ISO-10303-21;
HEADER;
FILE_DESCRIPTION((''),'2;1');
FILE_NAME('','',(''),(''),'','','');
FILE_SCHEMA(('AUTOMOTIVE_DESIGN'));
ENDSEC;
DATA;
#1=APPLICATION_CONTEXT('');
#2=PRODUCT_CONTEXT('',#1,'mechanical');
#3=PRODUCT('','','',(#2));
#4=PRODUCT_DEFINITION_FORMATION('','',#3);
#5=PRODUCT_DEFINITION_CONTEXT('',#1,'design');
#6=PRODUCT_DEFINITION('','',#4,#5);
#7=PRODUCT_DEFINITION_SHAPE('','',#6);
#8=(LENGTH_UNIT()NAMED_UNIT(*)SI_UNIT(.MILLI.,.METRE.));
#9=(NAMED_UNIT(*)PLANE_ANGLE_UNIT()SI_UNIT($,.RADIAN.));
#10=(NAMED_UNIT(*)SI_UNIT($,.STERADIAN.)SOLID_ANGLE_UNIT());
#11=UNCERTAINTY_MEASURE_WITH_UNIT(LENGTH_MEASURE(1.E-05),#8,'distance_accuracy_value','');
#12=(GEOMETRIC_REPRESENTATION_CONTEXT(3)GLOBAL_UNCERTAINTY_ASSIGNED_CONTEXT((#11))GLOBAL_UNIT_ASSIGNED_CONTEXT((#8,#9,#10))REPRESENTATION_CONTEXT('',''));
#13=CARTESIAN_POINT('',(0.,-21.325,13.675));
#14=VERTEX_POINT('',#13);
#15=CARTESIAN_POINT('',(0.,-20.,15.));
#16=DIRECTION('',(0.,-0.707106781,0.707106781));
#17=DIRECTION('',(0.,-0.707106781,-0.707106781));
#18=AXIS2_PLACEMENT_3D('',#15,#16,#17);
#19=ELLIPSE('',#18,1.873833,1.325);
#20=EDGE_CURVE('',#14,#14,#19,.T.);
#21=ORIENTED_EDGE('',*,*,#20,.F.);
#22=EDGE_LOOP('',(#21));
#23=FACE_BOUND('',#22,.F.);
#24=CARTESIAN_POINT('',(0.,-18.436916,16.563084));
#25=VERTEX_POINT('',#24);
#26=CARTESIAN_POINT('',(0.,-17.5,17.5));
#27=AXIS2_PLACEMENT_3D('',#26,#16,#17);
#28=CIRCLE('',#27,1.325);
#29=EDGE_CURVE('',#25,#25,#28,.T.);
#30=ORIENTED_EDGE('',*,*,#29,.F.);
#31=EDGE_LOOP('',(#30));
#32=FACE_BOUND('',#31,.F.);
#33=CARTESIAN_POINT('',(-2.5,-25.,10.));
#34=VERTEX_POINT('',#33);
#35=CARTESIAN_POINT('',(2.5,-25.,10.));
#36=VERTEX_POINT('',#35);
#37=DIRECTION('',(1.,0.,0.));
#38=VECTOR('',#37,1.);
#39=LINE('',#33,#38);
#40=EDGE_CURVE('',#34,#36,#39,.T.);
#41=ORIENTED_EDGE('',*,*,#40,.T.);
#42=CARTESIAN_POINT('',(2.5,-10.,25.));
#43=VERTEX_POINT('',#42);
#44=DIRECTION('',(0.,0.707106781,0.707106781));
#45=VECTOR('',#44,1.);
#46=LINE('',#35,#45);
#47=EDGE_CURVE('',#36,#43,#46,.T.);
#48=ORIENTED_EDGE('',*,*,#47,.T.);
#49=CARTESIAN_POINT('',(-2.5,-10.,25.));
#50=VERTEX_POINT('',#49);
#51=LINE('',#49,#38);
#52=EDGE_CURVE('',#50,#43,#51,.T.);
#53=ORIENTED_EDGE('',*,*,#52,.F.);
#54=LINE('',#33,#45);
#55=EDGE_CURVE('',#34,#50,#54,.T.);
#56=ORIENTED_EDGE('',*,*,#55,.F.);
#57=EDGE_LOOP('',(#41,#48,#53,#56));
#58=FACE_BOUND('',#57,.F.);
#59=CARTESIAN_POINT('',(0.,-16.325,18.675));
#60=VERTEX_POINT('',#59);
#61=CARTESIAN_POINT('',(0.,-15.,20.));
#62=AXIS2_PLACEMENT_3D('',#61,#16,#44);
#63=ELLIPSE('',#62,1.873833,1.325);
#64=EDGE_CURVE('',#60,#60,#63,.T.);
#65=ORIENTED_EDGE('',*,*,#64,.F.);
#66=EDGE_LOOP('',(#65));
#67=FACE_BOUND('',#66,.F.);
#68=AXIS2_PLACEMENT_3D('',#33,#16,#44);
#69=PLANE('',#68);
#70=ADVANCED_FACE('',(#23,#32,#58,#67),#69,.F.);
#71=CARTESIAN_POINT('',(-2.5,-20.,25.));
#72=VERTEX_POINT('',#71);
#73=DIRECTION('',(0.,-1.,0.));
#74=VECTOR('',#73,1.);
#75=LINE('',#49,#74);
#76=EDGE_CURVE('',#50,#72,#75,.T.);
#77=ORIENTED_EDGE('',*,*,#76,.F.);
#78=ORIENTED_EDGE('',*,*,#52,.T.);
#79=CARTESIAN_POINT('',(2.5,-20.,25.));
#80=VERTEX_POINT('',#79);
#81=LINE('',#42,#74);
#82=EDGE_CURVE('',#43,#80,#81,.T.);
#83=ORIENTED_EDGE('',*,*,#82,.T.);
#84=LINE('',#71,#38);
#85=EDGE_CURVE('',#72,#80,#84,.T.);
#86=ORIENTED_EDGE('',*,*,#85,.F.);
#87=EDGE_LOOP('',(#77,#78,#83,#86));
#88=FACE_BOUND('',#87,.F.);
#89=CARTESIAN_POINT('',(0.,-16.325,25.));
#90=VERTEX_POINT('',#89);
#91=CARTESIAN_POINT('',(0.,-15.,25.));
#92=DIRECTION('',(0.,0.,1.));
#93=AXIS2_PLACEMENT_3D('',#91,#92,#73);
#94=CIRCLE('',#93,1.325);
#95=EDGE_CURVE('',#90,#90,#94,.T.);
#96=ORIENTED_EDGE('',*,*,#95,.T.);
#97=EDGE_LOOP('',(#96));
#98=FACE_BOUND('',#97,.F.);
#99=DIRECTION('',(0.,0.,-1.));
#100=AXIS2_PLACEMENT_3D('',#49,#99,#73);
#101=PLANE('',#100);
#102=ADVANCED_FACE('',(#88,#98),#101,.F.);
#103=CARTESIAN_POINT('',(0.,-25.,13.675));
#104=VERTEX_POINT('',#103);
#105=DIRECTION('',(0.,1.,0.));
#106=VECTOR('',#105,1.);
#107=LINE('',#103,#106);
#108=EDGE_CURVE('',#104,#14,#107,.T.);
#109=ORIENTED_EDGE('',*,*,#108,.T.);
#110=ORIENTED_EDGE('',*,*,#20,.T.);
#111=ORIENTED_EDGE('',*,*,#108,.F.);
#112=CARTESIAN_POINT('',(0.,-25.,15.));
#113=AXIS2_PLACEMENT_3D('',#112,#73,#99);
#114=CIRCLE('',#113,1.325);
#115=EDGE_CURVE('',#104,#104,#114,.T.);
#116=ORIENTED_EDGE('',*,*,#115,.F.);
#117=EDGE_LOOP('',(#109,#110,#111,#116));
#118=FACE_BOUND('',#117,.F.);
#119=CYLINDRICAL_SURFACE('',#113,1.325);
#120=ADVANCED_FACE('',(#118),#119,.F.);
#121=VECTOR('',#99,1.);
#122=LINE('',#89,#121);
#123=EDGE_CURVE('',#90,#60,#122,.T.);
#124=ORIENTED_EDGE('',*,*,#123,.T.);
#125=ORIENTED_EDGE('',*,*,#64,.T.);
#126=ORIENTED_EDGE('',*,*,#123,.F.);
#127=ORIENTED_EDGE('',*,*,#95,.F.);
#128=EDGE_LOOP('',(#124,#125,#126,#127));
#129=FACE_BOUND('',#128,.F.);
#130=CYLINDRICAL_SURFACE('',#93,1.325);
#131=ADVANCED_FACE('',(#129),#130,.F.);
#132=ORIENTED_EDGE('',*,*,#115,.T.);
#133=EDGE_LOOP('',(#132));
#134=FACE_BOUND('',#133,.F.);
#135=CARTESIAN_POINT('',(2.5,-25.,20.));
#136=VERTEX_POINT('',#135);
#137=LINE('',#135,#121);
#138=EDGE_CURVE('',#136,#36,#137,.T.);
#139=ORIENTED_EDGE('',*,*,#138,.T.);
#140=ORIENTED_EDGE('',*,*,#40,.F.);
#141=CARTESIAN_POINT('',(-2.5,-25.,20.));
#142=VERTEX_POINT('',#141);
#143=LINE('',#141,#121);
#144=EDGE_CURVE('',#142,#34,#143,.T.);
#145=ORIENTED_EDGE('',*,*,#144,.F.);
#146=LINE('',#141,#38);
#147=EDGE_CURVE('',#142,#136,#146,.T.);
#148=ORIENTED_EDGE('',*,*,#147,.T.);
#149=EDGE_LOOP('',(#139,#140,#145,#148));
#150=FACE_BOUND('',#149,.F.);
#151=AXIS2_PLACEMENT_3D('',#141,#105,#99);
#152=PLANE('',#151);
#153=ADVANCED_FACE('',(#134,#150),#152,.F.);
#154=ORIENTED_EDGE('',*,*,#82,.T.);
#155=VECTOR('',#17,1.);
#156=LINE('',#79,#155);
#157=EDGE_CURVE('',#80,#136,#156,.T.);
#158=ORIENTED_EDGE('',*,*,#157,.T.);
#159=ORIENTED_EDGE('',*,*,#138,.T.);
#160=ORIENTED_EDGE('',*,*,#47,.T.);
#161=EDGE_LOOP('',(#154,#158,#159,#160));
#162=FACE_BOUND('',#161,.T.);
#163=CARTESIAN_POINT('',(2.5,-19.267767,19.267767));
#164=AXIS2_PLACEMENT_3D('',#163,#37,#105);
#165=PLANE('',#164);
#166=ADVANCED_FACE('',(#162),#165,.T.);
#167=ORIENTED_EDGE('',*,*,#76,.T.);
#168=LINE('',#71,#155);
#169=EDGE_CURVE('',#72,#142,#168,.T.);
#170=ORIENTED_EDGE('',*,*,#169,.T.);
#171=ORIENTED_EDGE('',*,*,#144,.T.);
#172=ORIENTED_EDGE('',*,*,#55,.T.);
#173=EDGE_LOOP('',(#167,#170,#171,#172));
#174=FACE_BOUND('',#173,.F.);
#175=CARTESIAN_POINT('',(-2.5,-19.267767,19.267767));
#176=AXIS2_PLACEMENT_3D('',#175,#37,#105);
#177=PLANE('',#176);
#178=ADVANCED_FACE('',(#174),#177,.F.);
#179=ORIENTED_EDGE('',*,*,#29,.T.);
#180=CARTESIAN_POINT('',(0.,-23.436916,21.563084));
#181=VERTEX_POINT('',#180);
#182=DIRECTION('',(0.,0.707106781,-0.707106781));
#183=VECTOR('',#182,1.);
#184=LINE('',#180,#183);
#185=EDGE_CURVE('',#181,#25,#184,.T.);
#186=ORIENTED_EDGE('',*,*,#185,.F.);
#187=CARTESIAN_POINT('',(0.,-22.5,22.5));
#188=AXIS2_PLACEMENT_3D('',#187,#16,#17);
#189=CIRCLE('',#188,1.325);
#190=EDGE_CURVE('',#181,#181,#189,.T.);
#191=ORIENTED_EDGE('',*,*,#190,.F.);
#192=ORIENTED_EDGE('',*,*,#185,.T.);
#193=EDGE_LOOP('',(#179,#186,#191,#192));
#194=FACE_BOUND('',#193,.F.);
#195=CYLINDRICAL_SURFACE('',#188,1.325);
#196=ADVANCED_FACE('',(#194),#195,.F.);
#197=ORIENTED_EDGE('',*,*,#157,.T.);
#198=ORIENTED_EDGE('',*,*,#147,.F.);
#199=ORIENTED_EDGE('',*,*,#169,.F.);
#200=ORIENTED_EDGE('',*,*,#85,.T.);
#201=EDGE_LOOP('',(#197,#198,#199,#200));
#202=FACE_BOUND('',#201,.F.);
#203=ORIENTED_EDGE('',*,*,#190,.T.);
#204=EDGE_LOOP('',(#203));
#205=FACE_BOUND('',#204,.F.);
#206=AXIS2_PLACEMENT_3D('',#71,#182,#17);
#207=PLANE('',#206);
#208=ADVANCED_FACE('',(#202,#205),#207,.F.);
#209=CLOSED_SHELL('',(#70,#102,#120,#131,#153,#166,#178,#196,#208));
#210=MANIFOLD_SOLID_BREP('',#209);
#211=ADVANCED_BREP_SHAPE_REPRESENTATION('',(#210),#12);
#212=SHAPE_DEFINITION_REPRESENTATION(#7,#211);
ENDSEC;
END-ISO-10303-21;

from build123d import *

# Parameters (mm, degrees)
PAD_DEPTH               = 5
SKETCH001_R             = 1.325
HOLE_DEPTH              = 15.0010000001
SKETCH002_R             = 1.325
HOLE001_DEPTH           = 17.6786695297
SKETCH003_R             = 1.325
HOLE002_DEPTH           = 15.001
BODY001_PLACEMENT_ANGLE = 90


with BuildPart() as part:
    # Sketch → Pad (new body)
    with BuildSketch(Plane.XZ.offset(-2.5)):
        Polygon((-10, 25.0000000001), (-19.9999999999, 25.0000000001), (-25, 20), (-25, 10), align=None)
    extrude(amount=PAD_DEPTH)

    # Sketch001 (on Face1 of Pad) → Hole (cut, through all)
    with BuildSketch(Plane(origin=(0, 0, 25.0000000001), x_dir=(-1, 0, 0), z_dir=(0, 0, 1))):
        with Locations((15, 0)):
            Circle(SKETCH001_R)
    extrude(amount=-HOLE_DEPTH, mode=Mode.SUBTRACT)

    # Sketch002 (on Face5 of Hole) → Hole001 (cut, through all)
    with BuildSketch(Plane(origin=(-22.5, 0, 22.5), x_dir=(-0.7071067812, 0, -0.7071067812), z_dir=(-0.7071067812, 0, 0.7071067812))):
        Circle(SKETCH002_R)
    extrude(amount=-HOLE001_DEPTH, mode=Mode.SUBTRACT)

    # Sketch003 (on Face7 of Hole001) → Hole002 (cut, through all)
    with BuildSketch(Plane(origin=(-25, 0, 0), x_dir=(0, 0, -1), z_dir=(-1, 0, 0))):
        with Locations((-15, 0)):
            Circle(SKETCH003_R)
    extrude(amount=-HOLE002_DEPTH, mode=Mode.SUBTRACT)


with BuildPart() as part_1:
    # Body001 placement: moved
    add(part.part.rotate(Axis((0, 0, 0), (0, 0, 1)), BODY001_PLACEMENT_ANGLE))


solid = part_1.part
